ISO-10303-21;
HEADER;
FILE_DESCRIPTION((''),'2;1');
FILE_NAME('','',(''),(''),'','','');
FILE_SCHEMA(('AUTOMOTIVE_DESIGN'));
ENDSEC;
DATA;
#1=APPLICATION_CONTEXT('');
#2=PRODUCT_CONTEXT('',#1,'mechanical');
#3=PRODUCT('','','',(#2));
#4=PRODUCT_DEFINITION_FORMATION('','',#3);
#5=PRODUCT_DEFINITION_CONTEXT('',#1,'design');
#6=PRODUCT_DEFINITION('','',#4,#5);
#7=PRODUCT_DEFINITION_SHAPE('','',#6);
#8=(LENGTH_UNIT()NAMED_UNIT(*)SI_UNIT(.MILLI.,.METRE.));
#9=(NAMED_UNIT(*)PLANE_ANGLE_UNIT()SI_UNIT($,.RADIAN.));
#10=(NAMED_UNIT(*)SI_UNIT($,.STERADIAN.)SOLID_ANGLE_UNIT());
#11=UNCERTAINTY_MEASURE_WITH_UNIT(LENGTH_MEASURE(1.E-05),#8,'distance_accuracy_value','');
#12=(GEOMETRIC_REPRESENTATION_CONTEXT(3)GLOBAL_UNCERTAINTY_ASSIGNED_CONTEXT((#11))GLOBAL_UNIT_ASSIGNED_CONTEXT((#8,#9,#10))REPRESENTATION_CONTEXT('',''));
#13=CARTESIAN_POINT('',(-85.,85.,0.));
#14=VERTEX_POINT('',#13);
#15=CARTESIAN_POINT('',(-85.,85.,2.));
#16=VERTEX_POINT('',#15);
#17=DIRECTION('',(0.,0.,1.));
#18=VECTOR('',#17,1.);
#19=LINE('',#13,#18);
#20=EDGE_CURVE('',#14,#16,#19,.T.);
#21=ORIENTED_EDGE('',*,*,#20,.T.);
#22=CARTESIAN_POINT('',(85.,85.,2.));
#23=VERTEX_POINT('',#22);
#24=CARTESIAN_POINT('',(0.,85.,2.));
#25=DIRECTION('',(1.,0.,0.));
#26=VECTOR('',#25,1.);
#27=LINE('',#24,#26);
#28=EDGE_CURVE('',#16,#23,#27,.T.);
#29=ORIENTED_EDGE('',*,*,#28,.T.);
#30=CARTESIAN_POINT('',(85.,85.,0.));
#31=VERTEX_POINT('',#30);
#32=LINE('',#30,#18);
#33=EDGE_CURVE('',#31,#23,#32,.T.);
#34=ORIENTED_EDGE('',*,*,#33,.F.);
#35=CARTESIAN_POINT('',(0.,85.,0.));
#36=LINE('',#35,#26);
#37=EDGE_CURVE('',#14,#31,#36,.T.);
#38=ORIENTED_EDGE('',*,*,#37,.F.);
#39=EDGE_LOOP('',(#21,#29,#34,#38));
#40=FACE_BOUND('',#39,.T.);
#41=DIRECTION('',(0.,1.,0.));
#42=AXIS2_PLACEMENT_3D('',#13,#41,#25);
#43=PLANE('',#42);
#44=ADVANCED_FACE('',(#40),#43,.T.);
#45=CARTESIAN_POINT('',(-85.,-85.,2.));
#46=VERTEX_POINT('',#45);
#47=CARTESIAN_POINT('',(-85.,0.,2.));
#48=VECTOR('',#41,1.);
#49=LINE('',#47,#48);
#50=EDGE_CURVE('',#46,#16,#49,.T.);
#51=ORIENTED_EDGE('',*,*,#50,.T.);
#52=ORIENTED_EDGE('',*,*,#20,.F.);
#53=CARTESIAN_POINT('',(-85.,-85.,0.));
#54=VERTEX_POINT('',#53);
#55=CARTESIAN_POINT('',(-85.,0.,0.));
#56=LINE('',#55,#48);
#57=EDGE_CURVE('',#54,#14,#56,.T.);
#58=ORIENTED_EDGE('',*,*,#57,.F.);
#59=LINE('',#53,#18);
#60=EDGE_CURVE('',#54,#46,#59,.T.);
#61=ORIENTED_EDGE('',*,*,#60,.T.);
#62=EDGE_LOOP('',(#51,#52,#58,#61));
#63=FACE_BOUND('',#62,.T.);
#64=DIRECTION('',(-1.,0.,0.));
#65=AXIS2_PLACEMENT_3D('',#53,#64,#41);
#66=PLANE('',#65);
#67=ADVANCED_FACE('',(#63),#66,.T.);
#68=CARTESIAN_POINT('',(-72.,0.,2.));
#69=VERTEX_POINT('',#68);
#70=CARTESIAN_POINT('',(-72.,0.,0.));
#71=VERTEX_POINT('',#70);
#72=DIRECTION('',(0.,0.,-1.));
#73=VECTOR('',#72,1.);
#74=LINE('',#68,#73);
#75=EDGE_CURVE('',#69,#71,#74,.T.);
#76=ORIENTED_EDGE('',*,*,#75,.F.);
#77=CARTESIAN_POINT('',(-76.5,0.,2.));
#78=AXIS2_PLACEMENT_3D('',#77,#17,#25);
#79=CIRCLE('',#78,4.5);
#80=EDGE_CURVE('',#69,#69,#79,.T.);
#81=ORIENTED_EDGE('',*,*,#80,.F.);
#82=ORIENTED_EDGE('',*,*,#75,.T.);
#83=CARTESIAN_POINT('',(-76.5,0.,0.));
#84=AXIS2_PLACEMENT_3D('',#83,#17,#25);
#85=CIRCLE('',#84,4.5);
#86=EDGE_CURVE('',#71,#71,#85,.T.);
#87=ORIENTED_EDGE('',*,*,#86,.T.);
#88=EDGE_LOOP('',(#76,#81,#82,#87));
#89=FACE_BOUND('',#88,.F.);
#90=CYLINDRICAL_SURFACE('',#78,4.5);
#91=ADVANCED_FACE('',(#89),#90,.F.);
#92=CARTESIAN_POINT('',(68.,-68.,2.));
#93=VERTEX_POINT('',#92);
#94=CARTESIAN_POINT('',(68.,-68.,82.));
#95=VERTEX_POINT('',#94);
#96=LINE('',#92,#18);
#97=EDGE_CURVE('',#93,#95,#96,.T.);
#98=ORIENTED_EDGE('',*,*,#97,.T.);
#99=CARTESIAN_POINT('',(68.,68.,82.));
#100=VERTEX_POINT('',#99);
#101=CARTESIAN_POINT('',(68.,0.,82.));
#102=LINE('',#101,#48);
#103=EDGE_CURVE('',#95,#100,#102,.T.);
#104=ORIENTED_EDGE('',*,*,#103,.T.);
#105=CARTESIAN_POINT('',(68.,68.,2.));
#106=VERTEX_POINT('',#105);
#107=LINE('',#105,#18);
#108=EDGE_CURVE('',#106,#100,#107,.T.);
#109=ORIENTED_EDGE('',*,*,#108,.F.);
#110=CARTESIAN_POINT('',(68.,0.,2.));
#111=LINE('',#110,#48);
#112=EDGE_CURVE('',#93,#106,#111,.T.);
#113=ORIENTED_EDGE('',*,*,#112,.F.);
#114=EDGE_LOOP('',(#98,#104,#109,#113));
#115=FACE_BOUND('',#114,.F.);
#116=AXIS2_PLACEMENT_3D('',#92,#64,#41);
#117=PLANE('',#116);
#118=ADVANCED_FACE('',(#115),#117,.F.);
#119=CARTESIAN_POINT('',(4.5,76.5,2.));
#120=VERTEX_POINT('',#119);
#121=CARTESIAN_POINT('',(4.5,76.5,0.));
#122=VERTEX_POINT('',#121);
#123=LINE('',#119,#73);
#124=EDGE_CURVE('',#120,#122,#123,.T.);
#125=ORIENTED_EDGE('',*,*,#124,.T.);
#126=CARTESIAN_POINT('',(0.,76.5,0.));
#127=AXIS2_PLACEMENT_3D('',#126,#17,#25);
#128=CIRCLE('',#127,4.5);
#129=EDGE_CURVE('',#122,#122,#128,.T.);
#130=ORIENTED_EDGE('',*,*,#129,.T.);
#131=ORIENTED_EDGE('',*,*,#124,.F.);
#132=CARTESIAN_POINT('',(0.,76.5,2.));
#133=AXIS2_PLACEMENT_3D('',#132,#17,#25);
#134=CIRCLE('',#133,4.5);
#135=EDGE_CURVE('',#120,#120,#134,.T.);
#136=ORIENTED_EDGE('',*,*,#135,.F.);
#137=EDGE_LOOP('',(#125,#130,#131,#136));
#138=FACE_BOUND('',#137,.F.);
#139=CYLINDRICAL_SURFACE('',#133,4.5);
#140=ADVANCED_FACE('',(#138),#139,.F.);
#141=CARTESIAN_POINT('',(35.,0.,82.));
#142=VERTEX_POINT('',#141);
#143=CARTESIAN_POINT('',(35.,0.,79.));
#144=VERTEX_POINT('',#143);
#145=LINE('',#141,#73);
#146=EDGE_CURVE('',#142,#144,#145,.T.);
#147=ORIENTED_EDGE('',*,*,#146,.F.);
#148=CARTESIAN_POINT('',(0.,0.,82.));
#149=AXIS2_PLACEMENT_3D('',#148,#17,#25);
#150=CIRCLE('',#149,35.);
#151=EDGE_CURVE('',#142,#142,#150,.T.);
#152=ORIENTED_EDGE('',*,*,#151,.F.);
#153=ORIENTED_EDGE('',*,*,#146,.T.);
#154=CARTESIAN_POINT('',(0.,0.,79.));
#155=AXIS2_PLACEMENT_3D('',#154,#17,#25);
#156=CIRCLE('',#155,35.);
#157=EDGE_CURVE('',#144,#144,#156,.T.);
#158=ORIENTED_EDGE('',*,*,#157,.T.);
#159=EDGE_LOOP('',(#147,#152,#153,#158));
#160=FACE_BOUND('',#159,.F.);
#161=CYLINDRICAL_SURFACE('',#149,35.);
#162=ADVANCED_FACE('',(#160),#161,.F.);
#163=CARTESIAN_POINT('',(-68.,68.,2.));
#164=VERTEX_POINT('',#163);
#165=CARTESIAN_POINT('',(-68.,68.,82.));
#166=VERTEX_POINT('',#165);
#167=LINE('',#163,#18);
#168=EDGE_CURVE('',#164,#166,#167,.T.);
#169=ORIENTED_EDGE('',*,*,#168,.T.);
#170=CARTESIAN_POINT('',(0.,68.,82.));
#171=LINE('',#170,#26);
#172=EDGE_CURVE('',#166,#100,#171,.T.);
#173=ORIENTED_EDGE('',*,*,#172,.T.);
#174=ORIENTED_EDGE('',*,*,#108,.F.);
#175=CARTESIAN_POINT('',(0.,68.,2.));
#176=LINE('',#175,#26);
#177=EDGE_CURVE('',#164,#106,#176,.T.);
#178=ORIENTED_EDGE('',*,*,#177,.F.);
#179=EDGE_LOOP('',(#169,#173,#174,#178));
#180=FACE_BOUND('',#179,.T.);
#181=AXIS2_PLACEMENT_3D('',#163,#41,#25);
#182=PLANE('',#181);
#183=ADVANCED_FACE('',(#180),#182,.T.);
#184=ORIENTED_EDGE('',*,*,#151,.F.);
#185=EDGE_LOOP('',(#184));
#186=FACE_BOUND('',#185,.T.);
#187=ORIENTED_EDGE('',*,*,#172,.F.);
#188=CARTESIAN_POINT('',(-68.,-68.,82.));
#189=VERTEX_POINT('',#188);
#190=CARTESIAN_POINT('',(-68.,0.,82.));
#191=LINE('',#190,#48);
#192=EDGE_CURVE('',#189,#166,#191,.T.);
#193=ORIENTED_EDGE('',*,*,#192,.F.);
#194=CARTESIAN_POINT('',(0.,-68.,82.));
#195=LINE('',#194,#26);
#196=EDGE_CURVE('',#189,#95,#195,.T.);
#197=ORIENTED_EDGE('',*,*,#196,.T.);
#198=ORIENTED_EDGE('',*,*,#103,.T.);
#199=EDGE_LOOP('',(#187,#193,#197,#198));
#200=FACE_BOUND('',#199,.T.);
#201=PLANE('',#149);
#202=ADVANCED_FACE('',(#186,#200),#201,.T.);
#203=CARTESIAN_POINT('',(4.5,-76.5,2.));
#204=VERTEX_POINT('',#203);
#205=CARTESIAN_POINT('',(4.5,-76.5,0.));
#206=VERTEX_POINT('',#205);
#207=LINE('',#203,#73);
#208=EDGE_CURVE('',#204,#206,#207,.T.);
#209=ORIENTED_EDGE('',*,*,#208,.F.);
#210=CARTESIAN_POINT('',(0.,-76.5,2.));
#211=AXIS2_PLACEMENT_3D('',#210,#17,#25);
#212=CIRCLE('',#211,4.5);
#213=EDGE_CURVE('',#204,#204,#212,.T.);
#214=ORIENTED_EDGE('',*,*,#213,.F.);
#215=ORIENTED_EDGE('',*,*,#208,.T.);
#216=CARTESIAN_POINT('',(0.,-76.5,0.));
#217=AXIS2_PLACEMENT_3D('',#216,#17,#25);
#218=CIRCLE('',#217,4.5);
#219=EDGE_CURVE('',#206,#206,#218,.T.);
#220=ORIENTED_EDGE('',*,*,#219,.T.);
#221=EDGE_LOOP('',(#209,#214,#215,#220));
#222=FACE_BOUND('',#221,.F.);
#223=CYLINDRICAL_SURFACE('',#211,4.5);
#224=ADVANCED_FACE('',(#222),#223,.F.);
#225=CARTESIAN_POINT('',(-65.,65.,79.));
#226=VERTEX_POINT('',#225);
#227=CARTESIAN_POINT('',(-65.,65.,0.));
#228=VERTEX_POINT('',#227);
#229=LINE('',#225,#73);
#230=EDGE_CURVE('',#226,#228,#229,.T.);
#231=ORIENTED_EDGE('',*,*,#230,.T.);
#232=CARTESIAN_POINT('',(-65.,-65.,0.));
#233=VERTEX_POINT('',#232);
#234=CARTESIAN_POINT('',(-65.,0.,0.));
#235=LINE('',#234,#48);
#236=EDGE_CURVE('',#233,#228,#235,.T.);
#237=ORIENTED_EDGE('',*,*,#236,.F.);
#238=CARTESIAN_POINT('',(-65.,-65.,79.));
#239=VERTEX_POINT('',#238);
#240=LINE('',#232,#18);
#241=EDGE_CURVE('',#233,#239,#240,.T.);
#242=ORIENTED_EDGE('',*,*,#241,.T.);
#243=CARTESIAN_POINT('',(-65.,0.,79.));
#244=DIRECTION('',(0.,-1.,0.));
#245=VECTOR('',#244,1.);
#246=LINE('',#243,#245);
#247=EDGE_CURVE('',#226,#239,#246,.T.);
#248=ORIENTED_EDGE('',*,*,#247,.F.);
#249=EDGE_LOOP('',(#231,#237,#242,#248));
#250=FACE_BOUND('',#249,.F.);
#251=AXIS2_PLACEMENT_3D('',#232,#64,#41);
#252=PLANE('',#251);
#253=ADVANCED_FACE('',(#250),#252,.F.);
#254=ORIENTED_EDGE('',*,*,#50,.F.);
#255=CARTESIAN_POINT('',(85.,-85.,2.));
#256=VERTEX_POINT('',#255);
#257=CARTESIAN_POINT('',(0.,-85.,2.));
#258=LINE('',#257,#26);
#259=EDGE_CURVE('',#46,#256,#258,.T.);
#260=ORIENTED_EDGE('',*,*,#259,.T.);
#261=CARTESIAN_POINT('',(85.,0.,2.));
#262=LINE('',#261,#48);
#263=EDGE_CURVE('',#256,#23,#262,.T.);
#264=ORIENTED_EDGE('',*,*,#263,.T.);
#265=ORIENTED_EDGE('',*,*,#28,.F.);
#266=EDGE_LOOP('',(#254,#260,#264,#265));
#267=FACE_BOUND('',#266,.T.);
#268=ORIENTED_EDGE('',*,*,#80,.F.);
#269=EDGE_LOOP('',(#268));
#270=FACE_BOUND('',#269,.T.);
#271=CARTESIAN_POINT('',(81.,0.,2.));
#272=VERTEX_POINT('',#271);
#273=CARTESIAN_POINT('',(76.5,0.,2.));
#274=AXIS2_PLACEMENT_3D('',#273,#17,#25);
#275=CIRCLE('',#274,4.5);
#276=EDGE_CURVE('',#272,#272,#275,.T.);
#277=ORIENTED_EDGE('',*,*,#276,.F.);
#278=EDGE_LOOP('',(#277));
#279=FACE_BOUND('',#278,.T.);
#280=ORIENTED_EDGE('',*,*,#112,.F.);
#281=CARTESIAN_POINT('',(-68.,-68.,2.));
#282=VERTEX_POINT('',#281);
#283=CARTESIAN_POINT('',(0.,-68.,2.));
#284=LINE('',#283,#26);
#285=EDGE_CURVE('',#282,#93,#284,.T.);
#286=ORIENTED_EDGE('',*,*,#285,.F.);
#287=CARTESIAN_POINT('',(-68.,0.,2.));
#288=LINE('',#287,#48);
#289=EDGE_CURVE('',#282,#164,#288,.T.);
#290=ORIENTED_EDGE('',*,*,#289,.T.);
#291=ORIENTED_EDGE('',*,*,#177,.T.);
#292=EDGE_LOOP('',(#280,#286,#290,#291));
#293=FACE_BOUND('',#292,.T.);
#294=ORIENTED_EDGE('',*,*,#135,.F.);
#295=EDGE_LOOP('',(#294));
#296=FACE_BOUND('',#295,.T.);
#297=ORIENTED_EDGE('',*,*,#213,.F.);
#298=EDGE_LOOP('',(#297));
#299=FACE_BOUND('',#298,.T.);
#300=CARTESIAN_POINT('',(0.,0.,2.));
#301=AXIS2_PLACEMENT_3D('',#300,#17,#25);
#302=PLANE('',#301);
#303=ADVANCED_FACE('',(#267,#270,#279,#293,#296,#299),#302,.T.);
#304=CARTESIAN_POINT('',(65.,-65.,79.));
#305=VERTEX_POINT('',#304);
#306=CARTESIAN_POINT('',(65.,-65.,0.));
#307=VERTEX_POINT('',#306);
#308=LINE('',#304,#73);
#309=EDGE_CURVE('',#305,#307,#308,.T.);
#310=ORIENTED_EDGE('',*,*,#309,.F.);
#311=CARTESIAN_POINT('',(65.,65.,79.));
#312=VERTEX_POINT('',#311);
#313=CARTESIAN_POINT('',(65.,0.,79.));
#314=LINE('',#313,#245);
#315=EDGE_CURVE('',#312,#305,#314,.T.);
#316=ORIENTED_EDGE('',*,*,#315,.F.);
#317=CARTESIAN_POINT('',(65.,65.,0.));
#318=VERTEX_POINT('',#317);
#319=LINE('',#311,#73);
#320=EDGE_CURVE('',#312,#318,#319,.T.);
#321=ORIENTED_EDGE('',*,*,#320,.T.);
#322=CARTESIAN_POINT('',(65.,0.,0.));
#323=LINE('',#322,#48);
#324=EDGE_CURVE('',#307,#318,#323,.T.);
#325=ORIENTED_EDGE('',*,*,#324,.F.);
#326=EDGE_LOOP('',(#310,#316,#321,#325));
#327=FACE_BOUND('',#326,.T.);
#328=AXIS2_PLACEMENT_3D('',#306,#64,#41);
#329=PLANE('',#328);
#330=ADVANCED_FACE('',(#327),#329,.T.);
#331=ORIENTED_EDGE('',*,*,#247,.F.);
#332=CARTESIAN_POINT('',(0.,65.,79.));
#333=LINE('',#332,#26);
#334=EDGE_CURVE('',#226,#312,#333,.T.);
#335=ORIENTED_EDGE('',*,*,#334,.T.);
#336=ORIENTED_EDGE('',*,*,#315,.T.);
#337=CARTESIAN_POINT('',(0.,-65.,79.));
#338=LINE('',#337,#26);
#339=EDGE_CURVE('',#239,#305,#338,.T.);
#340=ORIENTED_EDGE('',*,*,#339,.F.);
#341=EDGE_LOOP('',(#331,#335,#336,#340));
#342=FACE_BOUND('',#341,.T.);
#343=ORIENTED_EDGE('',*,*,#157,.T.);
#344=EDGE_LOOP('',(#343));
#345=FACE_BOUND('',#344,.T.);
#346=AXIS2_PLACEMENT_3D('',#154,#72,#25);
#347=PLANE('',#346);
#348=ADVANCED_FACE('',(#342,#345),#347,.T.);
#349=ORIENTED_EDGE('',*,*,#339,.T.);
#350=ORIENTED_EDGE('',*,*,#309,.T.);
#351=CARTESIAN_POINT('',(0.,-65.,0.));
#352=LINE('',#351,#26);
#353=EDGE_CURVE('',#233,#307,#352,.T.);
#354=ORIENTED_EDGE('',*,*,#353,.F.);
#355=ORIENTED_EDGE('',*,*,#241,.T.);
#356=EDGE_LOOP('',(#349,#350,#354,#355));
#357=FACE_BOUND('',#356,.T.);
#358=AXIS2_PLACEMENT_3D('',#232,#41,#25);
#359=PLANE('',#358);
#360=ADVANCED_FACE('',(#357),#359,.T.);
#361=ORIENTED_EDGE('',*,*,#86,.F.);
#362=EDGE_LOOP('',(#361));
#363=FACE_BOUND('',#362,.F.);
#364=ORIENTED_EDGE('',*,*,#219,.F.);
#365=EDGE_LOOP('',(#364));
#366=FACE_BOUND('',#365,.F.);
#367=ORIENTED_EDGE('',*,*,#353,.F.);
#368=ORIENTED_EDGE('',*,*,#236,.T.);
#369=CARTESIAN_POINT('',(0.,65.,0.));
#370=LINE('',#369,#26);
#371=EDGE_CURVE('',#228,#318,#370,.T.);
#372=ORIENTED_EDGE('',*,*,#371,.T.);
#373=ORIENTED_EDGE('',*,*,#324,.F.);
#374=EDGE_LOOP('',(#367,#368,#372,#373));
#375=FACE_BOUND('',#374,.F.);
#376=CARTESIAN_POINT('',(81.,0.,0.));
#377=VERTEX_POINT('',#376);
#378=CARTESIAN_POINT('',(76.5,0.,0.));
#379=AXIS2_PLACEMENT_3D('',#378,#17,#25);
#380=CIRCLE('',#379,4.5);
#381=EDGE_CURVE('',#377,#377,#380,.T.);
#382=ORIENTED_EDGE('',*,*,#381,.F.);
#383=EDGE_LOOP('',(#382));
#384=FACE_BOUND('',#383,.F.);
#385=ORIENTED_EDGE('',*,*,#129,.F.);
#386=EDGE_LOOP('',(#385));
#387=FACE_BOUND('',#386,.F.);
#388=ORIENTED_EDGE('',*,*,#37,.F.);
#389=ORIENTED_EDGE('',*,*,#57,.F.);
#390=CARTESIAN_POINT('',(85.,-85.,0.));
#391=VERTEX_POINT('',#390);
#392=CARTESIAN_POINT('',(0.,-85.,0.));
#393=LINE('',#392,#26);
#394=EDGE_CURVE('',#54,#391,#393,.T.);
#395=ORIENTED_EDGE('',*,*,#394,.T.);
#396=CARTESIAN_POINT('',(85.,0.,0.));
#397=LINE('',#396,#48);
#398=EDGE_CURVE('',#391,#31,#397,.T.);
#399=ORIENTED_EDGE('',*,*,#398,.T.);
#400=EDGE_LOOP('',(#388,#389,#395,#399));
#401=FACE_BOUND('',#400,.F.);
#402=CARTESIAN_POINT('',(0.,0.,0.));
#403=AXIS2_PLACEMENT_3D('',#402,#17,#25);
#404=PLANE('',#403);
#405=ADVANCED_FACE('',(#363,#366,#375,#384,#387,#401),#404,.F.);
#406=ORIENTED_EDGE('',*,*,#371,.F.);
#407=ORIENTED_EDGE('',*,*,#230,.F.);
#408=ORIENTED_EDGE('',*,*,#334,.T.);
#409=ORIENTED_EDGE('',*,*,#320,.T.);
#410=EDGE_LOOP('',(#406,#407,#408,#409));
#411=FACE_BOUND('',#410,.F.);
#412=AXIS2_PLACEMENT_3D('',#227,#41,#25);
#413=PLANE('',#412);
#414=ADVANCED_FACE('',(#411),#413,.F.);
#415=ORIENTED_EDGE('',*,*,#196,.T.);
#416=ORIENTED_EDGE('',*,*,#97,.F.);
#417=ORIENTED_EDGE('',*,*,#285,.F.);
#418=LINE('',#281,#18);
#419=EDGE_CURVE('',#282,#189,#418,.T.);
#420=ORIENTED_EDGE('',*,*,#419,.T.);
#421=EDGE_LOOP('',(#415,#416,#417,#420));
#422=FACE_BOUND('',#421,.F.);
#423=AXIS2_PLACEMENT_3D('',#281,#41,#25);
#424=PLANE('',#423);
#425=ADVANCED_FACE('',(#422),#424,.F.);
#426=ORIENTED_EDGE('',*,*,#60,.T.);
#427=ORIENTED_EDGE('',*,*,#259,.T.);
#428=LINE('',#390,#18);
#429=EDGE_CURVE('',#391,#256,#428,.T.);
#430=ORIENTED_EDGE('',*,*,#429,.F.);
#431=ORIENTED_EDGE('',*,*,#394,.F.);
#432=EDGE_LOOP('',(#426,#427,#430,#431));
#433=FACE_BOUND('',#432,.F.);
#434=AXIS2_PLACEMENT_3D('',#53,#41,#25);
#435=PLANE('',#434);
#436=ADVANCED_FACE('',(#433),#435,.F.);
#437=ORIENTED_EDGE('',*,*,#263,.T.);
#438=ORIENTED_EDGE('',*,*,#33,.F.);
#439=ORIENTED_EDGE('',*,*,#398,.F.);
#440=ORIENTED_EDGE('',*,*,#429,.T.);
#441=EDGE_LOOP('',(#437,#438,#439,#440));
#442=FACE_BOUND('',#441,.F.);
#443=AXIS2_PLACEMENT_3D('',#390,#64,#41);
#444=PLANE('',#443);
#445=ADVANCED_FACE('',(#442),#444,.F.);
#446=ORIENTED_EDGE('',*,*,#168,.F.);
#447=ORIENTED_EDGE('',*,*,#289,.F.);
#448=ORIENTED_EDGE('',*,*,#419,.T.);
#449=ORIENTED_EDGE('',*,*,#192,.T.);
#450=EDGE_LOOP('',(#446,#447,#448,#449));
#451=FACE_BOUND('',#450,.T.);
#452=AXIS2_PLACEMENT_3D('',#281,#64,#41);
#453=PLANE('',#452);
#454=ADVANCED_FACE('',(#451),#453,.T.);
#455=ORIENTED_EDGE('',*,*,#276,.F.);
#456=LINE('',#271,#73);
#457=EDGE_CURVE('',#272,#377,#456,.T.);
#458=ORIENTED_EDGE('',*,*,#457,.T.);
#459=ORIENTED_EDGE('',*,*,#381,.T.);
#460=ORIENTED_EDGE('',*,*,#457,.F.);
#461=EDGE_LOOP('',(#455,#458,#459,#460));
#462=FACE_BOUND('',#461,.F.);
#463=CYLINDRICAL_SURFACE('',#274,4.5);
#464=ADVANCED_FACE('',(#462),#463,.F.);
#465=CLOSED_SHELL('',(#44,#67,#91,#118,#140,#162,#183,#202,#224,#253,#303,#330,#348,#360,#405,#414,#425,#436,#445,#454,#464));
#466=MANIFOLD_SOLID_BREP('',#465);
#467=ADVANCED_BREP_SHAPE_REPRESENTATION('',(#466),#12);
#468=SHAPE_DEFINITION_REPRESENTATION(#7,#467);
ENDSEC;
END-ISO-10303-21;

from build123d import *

# Parameters (mm, degrees)
F0_W     = 170
F0_H     = 170
F0_W_2   = 130
F0_H_2   = 130
F1_DEPTH = 2
F2_W     = 136
F2_H     = 136
F3_DEPTH = 80
F4_W     = 130
F4_H     = 130
F5_DEPTH = 77
F6_R     = 35
F7_DEPTH = 82.001
F8_R     = 4.5
F9_DEPTH = 2.001


with BuildPart() as f1:
    # F0 (on Top) → F1 (new body)
    with BuildSketch(Plane.XY):
        Rectangle(F0_W, F0_H)
        Rectangle(F0_W_2, F0_H_2, mode=Mode.SUBTRACT)
    extrude(amount=F1_DEPTH)

    # F2 (on face) → F3 (join)
    with BuildSketch(Plane.XY.offset(2)):
        Rectangle(F2_W, F2_H)
    extrude(amount=F3_DEPTH)

    # F4 (on face) → F5 (cut)
    with BuildSketch(Plane(origin=(0, 0, 2), x_dir=(1, 0, 0), z_dir=(0, 0, -1))):
        Rectangle(F4_W, F4_H)
    extrude(amount=-F5_DEPTH, mode=Mode.SUBTRACT)

    # F6 (on face) → F7 (cut, through all)
    with BuildSketch(Plane.XY.offset(82)):
        Circle(F6_R)
    extrude(amount=-F7_DEPTH, mode=Mode.SUBTRACT)

    # F8 (on face) → F9 (cut, through all)
    with BuildSketch(Plane.XY.offset(2)):
        with Locations((0, 76.5)):
            Circle(F8_R)
        with Locations((-76.5, 0)):
            Circle(F8_R)
        with Locations((76.5, 0)):
            Circle(F8_R)
        with Locations((0, -76.5)):
            Circle(F8_R)
    extrude(amount=-F9_DEPTH, mode=Mode.SUBTRACT)


solid = f1.part
